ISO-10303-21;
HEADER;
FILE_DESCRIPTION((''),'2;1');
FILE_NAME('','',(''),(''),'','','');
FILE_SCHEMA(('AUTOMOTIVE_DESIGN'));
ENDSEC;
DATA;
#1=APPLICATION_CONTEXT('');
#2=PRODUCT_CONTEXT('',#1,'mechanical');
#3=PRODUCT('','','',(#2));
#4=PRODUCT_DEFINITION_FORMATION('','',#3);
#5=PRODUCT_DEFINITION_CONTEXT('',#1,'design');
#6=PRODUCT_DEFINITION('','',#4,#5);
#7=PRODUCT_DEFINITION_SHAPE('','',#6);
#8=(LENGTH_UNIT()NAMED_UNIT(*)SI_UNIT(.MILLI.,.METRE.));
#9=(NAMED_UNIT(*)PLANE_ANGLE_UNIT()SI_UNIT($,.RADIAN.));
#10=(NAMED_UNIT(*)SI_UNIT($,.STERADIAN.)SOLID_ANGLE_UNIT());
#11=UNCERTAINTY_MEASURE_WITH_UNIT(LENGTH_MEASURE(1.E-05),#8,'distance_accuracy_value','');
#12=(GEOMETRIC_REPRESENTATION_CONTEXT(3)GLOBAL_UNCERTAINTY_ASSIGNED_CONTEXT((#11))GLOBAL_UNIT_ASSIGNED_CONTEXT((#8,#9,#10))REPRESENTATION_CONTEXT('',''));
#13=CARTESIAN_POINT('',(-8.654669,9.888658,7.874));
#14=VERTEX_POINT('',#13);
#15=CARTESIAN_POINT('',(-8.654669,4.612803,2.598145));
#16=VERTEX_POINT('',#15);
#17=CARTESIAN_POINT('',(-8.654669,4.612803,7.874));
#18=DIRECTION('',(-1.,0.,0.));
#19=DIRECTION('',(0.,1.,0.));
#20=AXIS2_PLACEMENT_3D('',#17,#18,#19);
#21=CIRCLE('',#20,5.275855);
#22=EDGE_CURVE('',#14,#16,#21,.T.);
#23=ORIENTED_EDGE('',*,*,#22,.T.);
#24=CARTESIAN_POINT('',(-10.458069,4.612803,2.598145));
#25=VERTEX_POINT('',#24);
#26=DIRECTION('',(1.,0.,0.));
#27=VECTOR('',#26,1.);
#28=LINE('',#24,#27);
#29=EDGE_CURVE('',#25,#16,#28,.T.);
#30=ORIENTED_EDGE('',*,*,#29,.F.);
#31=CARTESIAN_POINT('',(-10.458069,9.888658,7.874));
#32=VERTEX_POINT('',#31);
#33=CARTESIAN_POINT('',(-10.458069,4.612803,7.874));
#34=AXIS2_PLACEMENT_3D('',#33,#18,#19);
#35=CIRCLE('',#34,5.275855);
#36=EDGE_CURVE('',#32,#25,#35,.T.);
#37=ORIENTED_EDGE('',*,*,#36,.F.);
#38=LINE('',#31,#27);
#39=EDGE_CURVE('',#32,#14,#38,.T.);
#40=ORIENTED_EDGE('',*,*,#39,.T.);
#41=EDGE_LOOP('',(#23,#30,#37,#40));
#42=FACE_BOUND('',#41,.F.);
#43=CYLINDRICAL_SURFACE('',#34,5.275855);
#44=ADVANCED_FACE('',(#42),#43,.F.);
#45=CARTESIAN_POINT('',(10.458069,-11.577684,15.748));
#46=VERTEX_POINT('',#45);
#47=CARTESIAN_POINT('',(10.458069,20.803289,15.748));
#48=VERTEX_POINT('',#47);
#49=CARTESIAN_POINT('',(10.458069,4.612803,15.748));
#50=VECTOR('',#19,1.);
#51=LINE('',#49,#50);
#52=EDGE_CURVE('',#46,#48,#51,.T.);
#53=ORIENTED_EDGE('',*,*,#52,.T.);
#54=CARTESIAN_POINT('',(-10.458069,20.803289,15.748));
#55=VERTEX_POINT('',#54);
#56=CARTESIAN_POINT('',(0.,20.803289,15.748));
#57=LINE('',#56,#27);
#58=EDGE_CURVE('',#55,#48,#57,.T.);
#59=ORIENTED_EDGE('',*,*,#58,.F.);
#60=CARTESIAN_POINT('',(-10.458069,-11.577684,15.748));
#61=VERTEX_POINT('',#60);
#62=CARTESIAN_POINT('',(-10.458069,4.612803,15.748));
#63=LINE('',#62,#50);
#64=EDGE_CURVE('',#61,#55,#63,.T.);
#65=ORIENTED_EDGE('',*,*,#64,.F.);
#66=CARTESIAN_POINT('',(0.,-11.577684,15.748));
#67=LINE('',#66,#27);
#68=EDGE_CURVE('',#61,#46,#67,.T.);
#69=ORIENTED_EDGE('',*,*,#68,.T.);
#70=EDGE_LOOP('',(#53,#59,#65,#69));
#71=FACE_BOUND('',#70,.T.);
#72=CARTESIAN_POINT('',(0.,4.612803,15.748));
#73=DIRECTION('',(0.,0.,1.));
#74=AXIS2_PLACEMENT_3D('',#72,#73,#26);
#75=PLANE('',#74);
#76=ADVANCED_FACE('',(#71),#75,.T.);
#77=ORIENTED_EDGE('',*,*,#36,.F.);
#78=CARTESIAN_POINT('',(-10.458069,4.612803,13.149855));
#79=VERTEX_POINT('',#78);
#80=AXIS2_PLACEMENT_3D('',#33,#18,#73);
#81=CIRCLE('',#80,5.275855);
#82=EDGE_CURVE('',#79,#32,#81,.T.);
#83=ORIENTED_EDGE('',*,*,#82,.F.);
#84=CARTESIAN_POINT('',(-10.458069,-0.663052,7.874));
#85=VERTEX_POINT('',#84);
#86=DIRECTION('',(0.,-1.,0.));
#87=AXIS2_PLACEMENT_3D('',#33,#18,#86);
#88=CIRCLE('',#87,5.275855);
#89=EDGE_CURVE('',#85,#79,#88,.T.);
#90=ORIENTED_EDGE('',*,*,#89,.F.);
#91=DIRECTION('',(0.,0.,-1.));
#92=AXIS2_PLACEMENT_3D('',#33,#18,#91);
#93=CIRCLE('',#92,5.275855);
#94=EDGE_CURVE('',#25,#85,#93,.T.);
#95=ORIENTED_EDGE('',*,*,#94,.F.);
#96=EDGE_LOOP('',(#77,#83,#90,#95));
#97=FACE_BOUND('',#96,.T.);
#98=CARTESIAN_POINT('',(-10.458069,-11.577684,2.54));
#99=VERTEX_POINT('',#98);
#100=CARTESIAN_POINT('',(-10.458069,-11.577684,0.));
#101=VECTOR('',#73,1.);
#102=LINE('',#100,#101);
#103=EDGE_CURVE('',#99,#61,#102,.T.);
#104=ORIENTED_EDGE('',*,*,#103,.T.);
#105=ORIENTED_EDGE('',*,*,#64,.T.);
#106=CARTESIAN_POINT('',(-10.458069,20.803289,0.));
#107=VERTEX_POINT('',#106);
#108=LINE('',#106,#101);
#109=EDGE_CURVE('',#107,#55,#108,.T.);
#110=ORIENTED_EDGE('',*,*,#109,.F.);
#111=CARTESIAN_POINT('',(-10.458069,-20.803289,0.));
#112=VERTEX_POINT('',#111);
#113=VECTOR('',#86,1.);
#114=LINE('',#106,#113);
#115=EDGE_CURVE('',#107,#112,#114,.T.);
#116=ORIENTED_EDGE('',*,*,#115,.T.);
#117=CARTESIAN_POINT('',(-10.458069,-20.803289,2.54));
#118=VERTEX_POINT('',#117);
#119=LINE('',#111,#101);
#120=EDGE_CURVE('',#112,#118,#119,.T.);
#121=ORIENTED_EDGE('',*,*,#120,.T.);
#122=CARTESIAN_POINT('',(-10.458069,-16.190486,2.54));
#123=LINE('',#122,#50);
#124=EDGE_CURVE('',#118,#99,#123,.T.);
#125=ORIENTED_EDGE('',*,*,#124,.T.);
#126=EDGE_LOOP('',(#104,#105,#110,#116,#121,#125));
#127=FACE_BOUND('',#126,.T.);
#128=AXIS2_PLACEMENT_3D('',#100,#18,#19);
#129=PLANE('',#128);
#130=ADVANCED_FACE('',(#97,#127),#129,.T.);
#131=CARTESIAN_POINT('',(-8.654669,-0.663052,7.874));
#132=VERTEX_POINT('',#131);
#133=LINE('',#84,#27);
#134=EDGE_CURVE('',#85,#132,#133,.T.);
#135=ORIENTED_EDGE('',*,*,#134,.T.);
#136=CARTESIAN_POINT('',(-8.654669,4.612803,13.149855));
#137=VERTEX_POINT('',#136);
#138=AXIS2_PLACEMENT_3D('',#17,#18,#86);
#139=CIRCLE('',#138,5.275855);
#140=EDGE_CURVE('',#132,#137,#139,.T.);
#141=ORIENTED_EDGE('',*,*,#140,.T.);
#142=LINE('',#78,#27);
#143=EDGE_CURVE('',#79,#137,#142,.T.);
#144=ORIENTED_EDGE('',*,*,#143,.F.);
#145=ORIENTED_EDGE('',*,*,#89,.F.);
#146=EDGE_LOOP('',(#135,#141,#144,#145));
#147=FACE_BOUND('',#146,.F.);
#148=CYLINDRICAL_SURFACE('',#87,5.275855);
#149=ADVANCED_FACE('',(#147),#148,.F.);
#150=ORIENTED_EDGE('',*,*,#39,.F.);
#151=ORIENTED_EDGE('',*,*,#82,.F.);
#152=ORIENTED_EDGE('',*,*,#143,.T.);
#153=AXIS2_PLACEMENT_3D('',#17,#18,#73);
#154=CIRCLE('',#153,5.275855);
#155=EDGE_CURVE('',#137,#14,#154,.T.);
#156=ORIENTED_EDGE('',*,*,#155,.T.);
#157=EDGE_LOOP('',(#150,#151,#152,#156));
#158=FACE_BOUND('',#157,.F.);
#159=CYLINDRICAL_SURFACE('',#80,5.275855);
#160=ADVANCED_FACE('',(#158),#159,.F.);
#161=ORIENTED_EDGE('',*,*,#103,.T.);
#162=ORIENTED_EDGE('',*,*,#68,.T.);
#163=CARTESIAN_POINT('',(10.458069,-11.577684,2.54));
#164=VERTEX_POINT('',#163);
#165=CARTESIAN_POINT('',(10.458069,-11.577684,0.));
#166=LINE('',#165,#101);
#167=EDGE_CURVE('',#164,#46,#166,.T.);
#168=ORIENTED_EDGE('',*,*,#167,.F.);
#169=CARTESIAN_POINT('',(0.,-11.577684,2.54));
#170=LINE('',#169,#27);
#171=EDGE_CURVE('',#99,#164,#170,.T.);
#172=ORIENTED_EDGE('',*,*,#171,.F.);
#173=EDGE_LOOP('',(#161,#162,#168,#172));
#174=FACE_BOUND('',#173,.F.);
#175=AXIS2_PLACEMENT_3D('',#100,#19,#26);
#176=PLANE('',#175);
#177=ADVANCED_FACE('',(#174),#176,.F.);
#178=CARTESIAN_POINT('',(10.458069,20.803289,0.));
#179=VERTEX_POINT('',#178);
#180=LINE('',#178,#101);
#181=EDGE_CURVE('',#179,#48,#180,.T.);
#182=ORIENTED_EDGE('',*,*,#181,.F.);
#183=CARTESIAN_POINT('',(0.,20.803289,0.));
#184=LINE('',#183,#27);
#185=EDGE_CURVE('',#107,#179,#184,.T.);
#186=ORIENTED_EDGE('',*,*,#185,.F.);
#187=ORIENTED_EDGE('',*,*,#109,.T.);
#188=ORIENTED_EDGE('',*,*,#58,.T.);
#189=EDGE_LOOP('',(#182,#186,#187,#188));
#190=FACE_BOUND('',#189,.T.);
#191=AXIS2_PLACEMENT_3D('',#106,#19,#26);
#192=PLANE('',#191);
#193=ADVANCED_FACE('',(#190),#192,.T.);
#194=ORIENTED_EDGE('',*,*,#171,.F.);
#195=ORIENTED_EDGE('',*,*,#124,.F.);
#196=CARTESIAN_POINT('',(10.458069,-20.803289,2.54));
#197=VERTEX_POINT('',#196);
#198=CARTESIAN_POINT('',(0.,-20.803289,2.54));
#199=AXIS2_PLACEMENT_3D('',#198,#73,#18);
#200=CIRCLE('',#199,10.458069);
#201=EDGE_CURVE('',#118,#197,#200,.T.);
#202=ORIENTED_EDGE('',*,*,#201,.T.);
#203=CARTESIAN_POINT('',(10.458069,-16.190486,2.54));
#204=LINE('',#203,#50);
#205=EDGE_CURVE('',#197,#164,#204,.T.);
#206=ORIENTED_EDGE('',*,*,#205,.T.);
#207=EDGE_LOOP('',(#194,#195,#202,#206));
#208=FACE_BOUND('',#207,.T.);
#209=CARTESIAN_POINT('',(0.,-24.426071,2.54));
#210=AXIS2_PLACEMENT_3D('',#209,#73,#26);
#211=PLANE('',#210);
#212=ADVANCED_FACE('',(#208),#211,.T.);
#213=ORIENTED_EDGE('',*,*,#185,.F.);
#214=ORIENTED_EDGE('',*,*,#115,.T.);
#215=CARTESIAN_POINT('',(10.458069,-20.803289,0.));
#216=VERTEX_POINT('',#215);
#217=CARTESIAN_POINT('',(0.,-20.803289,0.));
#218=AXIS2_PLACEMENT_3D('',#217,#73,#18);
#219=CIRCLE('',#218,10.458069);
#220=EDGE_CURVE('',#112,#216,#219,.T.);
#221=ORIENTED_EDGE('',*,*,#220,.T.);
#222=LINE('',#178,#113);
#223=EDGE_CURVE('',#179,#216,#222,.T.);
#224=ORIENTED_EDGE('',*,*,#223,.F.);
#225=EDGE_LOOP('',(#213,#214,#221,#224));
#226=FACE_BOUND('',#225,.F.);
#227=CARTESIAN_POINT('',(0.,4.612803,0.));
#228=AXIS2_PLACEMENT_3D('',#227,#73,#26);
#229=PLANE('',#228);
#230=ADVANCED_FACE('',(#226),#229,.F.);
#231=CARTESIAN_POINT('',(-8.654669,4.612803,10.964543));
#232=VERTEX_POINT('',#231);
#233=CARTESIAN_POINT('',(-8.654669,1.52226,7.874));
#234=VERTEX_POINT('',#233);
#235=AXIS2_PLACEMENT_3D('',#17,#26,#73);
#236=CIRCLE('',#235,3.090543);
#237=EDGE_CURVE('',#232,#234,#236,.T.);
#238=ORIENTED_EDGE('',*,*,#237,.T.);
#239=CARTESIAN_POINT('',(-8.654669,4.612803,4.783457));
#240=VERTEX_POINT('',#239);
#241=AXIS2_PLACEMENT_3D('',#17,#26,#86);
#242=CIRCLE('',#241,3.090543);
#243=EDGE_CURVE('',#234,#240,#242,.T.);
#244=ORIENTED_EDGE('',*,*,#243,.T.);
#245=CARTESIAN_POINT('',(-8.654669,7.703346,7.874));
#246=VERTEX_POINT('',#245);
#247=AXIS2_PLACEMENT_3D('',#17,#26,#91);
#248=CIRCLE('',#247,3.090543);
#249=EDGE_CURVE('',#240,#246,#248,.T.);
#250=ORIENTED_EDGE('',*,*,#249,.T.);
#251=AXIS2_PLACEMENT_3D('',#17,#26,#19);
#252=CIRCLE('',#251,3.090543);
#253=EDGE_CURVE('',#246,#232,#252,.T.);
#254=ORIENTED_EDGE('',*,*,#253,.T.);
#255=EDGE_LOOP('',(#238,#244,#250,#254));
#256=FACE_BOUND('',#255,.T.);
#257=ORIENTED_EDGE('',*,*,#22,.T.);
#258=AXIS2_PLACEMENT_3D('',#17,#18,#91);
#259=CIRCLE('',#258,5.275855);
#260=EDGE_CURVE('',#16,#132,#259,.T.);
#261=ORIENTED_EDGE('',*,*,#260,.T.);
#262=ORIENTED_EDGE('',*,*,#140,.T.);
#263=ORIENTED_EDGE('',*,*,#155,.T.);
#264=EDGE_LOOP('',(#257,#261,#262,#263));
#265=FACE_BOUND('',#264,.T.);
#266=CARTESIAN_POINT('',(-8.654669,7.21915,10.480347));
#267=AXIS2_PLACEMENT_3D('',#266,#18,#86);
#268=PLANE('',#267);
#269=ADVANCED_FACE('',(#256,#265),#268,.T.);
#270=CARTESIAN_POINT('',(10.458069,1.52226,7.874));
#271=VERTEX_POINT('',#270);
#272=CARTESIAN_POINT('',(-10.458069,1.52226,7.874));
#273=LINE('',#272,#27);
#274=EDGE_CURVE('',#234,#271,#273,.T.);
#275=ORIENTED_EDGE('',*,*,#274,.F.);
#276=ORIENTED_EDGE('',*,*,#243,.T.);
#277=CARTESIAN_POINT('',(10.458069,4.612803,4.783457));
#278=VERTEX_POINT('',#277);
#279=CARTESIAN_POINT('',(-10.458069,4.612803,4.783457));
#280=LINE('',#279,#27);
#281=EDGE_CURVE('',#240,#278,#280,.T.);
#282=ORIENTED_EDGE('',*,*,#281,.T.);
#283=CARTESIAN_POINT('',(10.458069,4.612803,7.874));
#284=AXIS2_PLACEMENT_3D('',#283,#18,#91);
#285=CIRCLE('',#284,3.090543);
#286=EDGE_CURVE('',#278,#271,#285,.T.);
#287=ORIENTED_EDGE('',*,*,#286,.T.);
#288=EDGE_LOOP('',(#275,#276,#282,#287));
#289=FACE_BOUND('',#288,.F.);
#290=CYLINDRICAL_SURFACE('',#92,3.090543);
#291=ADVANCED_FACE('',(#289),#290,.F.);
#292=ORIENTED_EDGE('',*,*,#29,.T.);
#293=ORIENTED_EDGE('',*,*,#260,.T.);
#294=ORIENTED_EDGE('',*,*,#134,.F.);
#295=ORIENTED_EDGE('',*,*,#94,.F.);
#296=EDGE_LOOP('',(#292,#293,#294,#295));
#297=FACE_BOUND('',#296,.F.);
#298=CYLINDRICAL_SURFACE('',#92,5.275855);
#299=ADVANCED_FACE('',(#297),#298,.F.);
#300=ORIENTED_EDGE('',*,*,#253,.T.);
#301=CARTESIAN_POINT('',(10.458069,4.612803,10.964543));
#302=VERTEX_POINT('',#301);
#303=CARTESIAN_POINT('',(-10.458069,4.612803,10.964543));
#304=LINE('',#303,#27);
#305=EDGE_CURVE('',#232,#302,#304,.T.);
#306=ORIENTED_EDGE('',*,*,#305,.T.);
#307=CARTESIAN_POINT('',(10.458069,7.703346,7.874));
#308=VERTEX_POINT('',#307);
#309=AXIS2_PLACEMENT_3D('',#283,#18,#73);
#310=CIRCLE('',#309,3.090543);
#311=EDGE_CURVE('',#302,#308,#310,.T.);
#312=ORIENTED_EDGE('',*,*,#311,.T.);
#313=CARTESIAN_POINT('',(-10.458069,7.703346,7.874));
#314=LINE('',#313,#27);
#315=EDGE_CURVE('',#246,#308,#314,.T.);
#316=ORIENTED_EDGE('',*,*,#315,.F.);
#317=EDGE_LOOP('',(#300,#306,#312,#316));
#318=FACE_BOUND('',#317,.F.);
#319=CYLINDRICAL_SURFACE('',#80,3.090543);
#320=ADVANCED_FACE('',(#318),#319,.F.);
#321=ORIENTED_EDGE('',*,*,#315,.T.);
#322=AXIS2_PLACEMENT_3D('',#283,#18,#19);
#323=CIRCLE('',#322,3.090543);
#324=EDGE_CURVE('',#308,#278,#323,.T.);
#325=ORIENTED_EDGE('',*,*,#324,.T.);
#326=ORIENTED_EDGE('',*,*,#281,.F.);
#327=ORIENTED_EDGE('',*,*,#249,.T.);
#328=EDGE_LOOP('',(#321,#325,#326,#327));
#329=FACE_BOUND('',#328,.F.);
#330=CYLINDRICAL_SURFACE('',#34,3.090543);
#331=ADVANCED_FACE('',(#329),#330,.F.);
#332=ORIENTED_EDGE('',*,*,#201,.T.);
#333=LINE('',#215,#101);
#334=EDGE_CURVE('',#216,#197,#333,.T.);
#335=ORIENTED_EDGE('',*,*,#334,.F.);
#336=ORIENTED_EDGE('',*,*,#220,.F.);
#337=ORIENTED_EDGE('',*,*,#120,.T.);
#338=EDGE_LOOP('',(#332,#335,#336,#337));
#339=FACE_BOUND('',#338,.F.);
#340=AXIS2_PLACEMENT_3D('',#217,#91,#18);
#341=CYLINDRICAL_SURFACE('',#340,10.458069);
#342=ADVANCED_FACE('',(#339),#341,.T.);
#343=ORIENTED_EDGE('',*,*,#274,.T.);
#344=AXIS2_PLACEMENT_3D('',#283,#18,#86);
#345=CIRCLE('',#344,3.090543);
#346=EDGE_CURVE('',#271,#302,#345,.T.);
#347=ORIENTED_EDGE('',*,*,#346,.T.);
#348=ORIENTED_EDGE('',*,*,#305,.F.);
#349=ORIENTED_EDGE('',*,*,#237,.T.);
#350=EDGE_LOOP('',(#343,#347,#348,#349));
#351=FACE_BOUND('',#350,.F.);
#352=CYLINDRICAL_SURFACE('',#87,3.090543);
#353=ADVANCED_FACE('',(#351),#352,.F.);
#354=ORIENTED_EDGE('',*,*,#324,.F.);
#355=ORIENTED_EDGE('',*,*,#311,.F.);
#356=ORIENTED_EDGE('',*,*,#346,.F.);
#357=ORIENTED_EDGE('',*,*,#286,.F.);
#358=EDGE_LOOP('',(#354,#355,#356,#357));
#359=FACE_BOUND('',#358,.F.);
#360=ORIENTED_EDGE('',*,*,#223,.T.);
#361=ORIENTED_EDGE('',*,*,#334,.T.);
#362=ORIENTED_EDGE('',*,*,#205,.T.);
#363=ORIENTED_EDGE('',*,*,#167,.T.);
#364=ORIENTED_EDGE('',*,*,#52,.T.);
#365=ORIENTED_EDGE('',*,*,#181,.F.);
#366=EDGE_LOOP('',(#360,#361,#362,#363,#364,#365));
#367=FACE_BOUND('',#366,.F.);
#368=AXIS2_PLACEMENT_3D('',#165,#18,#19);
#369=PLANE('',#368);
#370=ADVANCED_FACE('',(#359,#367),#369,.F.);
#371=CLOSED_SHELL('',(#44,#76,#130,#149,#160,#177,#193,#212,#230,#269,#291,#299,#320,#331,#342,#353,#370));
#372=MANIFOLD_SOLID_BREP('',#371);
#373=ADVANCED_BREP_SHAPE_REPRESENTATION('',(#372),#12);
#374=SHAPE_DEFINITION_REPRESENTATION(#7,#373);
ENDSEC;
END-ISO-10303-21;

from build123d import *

# Parameters (mm, degrees)
F0_W     = 20.9161378443
F0_H     = 9.225605987
F1_DEPTH = 2.54
F0_H_2   = 32.3809729889
F2_DEPTH = 15.748
F4_DEPTH = 25.4
F5_DEPTH = 1.8034


with BuildPart() as f1:
    # F0 (on Top) → F1 (new body)
    with BuildSketch(Plane.XY):
        with BuildLine():
            ThreePointArc((-10.4580689222, -20.803289488), (0, -31.2613584101), (10.4580689222, -20.803289488))
            Line((10.4580689222, -20.803289488), (-10.4580689222, -20.803289488))
        make_face()
        with Locations((0, -16.1904864945)):
            Rectangle(F0_W, F0_H)
    extrude(amount=F1_DEPTH)

    # F0 (on Top) → F2 (join)
    with BuildSketch(Plane.XY):
        with Locations((0, 4.6128029935)):
            Rectangle(F0_W, F0_H_2)
    extrude(amount=F2_DEPTH)

    # F3 (on face) → F4 (cut)
    with BuildSketch(Plane(origin=(-10.4580689222, 0, 0), x_dir=(0, -1, 0), z_dir=(-1, 0, 0))):
        with BuildLine():
            Line((-4.6128029935, 4.7834570753), (-4.6128029935, 7.874))
            Line((-4.6128029935, 7.874), (-7.7033459182, 7.874))
            ThreePointArc((-7.7033459182, 7.874), (-6.7981468531, 5.6886561404), (-4.6128029935, 4.7834570753))
        make_face()
        with BuildLine():
            Line((-1.5222600688, 7.874), (-4.6128029935, 7.874))
            Line((-4.6128029935, 7.874), (-4.6128029935, 4.7834570753))
            ThreePointArc((-4.6128029935, 4.7834570753), (-2.4274591339, 5.6886561404), (-1.5222600688, 7.874))
        make_face()
        with BuildLine():
            ThreePointArc((-1.5222600688, 7.874), (-2.4274591339, 10.0593438596), (-4.6128029935, 10.9645429247))
            Line((-4.6128029935, 10.9645429247), (-4.6128029935, 7.874))
            Line((-4.6128029935, 7.874), (-1.5222600688, 7.874))
        make_face()
        with BuildLine():
            Line((-4.6128029935, 7.874), (-4.6128029935, 10.9645429247))
            ThreePointArc((-4.6128029935, 10.9645429247), (-6.7981468531, 10.0593438596), (-7.7033459182, 7.874))
            Line((-7.7033459182, 7.874), (-4.6128029935, 7.874))
        make_face()
    extrude(amount=-F4_DEPTH, mode=Mode.SUBTRACT)

    # F3 (on face) → F5 (cut)
    with BuildSketch(Plane(origin=(-10.4580689222, 0, 0), x_dir=(0, -1, 0), z_dir=(-1, 0, 0))):
        with BuildLine():
            Line((-4.6128029935, 10.9645429247), (-4.6128029935, 13.1498547085))
            ThreePointArc((-4.6128029935, 13.1498547085), (-8.3433956344, 11.6045926409), (-9.888657702, 7.874))
            Line((-9.888657702, 7.874), (-7.7033459182, 7.874))
            ThreePointArc((-7.7033459182, 7.874), (-6.7981468531, 10.0593438596), (-4.6128029935, 10.9645429247))
        make_face()
        with BuildLine():
            ThreePointArc((0.663051715, 7.874), (-0.8822103526, 11.6045926409), (-4.6128029935, 13.1498547085))
            Line((-4.6128029935, 13.1498547085), (-4.6128029935, 10.9645429247))
            ThreePointArc((-4.6128029935, 10.9645429247), (-2.4274591339, 10.0593438596), (-1.5222600688, 7.874))
            Line((-1.5222600688, 7.874), (0.663051715, 7.874))
        make_face()
        with BuildLine():
            ThreePointArc((-4.6128029935, 2.5981452915), (-0.8822103526, 4.1434073591), (0.663051715, 7.874))
            Line((0.663051715, 7.874), (-1.5222600688, 7.874))
            ThreePointArc((-1.5222600688, 7.874), (-2.4274591339, 5.6886561404), (-4.6128029935, 4.7834570753))
            Line((-4.6128029935, 4.7834570753), (-4.6128029935, 2.5981452915))
        make_face()
        with BuildLine():
            Line((-7.7033459182, 7.874), (-9.888657702, 7.874))
            ThreePointArc((-9.888657702, 7.874), (-8.3433956344, 4.1434073591), (-4.6128029935, 2.5981452915))
            Line((-4.6128029935, 2.5981452915), (-4.6128029935, 4.7834570753))
            ThreePointArc((-4.6128029935, 4.7834570753), (-6.7981468531, 5.6886561404), (-7.7033459182, 7.874))
        make_face()
    extrude(amount=-F5_DEPTH, mode=Mode.SUBTRACT)


solid = f1.part
